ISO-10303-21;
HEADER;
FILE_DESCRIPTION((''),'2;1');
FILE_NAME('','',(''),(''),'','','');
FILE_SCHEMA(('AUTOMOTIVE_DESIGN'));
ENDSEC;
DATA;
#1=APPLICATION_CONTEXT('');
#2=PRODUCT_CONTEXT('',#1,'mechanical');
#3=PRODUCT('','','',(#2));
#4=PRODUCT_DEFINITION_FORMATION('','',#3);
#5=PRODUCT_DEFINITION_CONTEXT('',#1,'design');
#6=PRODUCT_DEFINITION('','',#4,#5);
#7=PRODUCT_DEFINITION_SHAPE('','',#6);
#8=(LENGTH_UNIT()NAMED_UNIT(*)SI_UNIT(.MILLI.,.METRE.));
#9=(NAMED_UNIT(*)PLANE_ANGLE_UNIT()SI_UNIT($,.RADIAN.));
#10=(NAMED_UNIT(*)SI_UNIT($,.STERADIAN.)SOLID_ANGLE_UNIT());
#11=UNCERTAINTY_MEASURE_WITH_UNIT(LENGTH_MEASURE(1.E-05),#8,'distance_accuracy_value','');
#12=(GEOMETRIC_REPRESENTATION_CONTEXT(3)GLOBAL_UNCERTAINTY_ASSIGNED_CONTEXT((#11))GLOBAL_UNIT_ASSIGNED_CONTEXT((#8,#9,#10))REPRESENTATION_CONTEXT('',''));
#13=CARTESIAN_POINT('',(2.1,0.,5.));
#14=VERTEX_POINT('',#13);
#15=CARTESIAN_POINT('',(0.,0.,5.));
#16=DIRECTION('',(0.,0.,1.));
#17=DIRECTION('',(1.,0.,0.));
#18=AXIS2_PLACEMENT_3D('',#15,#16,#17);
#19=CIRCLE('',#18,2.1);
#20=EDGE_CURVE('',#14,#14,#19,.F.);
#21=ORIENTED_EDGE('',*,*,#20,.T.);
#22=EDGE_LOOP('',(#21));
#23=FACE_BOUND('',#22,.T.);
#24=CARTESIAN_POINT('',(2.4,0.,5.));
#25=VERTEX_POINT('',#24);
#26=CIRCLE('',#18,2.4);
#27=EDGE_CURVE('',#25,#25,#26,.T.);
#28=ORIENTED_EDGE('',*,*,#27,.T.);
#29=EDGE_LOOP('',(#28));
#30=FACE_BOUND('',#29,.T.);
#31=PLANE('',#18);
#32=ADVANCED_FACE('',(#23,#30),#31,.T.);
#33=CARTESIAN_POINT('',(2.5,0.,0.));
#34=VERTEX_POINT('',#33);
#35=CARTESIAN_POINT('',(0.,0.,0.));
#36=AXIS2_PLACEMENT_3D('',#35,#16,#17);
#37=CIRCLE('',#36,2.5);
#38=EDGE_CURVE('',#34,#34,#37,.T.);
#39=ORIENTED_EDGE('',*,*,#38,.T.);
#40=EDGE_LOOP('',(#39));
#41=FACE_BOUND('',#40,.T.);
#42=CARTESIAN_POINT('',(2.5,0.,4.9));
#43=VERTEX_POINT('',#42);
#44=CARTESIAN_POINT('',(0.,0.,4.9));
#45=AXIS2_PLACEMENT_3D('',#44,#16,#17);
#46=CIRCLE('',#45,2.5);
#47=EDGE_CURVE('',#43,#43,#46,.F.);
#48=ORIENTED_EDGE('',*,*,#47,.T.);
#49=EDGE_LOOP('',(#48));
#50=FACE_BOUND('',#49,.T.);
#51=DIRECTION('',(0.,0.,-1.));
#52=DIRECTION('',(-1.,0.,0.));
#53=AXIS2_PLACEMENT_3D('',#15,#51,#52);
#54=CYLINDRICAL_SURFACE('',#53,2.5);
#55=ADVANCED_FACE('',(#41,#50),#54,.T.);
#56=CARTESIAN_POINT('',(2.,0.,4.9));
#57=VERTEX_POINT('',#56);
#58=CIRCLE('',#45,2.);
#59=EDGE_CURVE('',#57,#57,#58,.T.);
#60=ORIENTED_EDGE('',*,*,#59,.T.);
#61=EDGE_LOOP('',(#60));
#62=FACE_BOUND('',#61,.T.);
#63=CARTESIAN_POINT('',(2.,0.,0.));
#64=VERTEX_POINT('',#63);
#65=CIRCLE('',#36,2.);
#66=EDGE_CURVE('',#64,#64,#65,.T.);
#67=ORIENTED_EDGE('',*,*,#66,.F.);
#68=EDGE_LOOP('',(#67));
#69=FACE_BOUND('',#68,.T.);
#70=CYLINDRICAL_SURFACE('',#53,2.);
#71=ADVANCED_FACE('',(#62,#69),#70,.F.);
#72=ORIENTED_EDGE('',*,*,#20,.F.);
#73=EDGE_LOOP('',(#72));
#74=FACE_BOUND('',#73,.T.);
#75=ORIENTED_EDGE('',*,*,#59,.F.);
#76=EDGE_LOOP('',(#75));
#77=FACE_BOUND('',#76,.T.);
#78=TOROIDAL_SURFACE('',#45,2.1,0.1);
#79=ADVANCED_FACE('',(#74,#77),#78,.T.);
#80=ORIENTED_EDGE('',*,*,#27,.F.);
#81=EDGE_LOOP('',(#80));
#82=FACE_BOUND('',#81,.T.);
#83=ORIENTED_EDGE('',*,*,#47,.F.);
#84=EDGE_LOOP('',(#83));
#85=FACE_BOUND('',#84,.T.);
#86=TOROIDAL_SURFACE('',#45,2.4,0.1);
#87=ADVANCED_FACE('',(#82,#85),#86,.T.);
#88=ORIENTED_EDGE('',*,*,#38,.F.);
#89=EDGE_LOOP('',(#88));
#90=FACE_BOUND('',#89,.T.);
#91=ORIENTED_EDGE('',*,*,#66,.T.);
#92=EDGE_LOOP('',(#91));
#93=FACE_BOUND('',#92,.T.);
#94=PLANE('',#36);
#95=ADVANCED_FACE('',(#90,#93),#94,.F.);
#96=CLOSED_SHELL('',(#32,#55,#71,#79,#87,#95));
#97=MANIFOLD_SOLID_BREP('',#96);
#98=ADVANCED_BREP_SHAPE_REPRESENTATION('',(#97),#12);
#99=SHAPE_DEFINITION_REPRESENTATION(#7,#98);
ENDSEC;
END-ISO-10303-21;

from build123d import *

# Parameters (mm, degrees)
SKETCH1_R           = 2.5
SKETCH1_R_2         = 2
BOSS_EXTRUDE1_DEPTH = 5
FILLET1_R           = 0.1


with BuildPart() as part:
    # Sketch1 → Boss-Extrude1 (new body)
    with BuildSketch(Plane.XY):
        Circle(SKETCH1_R)
        Circle(SKETCH1_R_2, mode=Mode.SUBTRACT)
    extrude(amount=BOSS_EXTRUDE1_DEPTH)

    # Fillet1
    fillet1_edges = [part.edges().sort_by_distance(p)[0] for p in [
        (-2.5, 0, 5),
        (-2, 0, 5),
    ]]
    fillet(fillet1_edges, radius=FILLET1_R)


solid = part.part
